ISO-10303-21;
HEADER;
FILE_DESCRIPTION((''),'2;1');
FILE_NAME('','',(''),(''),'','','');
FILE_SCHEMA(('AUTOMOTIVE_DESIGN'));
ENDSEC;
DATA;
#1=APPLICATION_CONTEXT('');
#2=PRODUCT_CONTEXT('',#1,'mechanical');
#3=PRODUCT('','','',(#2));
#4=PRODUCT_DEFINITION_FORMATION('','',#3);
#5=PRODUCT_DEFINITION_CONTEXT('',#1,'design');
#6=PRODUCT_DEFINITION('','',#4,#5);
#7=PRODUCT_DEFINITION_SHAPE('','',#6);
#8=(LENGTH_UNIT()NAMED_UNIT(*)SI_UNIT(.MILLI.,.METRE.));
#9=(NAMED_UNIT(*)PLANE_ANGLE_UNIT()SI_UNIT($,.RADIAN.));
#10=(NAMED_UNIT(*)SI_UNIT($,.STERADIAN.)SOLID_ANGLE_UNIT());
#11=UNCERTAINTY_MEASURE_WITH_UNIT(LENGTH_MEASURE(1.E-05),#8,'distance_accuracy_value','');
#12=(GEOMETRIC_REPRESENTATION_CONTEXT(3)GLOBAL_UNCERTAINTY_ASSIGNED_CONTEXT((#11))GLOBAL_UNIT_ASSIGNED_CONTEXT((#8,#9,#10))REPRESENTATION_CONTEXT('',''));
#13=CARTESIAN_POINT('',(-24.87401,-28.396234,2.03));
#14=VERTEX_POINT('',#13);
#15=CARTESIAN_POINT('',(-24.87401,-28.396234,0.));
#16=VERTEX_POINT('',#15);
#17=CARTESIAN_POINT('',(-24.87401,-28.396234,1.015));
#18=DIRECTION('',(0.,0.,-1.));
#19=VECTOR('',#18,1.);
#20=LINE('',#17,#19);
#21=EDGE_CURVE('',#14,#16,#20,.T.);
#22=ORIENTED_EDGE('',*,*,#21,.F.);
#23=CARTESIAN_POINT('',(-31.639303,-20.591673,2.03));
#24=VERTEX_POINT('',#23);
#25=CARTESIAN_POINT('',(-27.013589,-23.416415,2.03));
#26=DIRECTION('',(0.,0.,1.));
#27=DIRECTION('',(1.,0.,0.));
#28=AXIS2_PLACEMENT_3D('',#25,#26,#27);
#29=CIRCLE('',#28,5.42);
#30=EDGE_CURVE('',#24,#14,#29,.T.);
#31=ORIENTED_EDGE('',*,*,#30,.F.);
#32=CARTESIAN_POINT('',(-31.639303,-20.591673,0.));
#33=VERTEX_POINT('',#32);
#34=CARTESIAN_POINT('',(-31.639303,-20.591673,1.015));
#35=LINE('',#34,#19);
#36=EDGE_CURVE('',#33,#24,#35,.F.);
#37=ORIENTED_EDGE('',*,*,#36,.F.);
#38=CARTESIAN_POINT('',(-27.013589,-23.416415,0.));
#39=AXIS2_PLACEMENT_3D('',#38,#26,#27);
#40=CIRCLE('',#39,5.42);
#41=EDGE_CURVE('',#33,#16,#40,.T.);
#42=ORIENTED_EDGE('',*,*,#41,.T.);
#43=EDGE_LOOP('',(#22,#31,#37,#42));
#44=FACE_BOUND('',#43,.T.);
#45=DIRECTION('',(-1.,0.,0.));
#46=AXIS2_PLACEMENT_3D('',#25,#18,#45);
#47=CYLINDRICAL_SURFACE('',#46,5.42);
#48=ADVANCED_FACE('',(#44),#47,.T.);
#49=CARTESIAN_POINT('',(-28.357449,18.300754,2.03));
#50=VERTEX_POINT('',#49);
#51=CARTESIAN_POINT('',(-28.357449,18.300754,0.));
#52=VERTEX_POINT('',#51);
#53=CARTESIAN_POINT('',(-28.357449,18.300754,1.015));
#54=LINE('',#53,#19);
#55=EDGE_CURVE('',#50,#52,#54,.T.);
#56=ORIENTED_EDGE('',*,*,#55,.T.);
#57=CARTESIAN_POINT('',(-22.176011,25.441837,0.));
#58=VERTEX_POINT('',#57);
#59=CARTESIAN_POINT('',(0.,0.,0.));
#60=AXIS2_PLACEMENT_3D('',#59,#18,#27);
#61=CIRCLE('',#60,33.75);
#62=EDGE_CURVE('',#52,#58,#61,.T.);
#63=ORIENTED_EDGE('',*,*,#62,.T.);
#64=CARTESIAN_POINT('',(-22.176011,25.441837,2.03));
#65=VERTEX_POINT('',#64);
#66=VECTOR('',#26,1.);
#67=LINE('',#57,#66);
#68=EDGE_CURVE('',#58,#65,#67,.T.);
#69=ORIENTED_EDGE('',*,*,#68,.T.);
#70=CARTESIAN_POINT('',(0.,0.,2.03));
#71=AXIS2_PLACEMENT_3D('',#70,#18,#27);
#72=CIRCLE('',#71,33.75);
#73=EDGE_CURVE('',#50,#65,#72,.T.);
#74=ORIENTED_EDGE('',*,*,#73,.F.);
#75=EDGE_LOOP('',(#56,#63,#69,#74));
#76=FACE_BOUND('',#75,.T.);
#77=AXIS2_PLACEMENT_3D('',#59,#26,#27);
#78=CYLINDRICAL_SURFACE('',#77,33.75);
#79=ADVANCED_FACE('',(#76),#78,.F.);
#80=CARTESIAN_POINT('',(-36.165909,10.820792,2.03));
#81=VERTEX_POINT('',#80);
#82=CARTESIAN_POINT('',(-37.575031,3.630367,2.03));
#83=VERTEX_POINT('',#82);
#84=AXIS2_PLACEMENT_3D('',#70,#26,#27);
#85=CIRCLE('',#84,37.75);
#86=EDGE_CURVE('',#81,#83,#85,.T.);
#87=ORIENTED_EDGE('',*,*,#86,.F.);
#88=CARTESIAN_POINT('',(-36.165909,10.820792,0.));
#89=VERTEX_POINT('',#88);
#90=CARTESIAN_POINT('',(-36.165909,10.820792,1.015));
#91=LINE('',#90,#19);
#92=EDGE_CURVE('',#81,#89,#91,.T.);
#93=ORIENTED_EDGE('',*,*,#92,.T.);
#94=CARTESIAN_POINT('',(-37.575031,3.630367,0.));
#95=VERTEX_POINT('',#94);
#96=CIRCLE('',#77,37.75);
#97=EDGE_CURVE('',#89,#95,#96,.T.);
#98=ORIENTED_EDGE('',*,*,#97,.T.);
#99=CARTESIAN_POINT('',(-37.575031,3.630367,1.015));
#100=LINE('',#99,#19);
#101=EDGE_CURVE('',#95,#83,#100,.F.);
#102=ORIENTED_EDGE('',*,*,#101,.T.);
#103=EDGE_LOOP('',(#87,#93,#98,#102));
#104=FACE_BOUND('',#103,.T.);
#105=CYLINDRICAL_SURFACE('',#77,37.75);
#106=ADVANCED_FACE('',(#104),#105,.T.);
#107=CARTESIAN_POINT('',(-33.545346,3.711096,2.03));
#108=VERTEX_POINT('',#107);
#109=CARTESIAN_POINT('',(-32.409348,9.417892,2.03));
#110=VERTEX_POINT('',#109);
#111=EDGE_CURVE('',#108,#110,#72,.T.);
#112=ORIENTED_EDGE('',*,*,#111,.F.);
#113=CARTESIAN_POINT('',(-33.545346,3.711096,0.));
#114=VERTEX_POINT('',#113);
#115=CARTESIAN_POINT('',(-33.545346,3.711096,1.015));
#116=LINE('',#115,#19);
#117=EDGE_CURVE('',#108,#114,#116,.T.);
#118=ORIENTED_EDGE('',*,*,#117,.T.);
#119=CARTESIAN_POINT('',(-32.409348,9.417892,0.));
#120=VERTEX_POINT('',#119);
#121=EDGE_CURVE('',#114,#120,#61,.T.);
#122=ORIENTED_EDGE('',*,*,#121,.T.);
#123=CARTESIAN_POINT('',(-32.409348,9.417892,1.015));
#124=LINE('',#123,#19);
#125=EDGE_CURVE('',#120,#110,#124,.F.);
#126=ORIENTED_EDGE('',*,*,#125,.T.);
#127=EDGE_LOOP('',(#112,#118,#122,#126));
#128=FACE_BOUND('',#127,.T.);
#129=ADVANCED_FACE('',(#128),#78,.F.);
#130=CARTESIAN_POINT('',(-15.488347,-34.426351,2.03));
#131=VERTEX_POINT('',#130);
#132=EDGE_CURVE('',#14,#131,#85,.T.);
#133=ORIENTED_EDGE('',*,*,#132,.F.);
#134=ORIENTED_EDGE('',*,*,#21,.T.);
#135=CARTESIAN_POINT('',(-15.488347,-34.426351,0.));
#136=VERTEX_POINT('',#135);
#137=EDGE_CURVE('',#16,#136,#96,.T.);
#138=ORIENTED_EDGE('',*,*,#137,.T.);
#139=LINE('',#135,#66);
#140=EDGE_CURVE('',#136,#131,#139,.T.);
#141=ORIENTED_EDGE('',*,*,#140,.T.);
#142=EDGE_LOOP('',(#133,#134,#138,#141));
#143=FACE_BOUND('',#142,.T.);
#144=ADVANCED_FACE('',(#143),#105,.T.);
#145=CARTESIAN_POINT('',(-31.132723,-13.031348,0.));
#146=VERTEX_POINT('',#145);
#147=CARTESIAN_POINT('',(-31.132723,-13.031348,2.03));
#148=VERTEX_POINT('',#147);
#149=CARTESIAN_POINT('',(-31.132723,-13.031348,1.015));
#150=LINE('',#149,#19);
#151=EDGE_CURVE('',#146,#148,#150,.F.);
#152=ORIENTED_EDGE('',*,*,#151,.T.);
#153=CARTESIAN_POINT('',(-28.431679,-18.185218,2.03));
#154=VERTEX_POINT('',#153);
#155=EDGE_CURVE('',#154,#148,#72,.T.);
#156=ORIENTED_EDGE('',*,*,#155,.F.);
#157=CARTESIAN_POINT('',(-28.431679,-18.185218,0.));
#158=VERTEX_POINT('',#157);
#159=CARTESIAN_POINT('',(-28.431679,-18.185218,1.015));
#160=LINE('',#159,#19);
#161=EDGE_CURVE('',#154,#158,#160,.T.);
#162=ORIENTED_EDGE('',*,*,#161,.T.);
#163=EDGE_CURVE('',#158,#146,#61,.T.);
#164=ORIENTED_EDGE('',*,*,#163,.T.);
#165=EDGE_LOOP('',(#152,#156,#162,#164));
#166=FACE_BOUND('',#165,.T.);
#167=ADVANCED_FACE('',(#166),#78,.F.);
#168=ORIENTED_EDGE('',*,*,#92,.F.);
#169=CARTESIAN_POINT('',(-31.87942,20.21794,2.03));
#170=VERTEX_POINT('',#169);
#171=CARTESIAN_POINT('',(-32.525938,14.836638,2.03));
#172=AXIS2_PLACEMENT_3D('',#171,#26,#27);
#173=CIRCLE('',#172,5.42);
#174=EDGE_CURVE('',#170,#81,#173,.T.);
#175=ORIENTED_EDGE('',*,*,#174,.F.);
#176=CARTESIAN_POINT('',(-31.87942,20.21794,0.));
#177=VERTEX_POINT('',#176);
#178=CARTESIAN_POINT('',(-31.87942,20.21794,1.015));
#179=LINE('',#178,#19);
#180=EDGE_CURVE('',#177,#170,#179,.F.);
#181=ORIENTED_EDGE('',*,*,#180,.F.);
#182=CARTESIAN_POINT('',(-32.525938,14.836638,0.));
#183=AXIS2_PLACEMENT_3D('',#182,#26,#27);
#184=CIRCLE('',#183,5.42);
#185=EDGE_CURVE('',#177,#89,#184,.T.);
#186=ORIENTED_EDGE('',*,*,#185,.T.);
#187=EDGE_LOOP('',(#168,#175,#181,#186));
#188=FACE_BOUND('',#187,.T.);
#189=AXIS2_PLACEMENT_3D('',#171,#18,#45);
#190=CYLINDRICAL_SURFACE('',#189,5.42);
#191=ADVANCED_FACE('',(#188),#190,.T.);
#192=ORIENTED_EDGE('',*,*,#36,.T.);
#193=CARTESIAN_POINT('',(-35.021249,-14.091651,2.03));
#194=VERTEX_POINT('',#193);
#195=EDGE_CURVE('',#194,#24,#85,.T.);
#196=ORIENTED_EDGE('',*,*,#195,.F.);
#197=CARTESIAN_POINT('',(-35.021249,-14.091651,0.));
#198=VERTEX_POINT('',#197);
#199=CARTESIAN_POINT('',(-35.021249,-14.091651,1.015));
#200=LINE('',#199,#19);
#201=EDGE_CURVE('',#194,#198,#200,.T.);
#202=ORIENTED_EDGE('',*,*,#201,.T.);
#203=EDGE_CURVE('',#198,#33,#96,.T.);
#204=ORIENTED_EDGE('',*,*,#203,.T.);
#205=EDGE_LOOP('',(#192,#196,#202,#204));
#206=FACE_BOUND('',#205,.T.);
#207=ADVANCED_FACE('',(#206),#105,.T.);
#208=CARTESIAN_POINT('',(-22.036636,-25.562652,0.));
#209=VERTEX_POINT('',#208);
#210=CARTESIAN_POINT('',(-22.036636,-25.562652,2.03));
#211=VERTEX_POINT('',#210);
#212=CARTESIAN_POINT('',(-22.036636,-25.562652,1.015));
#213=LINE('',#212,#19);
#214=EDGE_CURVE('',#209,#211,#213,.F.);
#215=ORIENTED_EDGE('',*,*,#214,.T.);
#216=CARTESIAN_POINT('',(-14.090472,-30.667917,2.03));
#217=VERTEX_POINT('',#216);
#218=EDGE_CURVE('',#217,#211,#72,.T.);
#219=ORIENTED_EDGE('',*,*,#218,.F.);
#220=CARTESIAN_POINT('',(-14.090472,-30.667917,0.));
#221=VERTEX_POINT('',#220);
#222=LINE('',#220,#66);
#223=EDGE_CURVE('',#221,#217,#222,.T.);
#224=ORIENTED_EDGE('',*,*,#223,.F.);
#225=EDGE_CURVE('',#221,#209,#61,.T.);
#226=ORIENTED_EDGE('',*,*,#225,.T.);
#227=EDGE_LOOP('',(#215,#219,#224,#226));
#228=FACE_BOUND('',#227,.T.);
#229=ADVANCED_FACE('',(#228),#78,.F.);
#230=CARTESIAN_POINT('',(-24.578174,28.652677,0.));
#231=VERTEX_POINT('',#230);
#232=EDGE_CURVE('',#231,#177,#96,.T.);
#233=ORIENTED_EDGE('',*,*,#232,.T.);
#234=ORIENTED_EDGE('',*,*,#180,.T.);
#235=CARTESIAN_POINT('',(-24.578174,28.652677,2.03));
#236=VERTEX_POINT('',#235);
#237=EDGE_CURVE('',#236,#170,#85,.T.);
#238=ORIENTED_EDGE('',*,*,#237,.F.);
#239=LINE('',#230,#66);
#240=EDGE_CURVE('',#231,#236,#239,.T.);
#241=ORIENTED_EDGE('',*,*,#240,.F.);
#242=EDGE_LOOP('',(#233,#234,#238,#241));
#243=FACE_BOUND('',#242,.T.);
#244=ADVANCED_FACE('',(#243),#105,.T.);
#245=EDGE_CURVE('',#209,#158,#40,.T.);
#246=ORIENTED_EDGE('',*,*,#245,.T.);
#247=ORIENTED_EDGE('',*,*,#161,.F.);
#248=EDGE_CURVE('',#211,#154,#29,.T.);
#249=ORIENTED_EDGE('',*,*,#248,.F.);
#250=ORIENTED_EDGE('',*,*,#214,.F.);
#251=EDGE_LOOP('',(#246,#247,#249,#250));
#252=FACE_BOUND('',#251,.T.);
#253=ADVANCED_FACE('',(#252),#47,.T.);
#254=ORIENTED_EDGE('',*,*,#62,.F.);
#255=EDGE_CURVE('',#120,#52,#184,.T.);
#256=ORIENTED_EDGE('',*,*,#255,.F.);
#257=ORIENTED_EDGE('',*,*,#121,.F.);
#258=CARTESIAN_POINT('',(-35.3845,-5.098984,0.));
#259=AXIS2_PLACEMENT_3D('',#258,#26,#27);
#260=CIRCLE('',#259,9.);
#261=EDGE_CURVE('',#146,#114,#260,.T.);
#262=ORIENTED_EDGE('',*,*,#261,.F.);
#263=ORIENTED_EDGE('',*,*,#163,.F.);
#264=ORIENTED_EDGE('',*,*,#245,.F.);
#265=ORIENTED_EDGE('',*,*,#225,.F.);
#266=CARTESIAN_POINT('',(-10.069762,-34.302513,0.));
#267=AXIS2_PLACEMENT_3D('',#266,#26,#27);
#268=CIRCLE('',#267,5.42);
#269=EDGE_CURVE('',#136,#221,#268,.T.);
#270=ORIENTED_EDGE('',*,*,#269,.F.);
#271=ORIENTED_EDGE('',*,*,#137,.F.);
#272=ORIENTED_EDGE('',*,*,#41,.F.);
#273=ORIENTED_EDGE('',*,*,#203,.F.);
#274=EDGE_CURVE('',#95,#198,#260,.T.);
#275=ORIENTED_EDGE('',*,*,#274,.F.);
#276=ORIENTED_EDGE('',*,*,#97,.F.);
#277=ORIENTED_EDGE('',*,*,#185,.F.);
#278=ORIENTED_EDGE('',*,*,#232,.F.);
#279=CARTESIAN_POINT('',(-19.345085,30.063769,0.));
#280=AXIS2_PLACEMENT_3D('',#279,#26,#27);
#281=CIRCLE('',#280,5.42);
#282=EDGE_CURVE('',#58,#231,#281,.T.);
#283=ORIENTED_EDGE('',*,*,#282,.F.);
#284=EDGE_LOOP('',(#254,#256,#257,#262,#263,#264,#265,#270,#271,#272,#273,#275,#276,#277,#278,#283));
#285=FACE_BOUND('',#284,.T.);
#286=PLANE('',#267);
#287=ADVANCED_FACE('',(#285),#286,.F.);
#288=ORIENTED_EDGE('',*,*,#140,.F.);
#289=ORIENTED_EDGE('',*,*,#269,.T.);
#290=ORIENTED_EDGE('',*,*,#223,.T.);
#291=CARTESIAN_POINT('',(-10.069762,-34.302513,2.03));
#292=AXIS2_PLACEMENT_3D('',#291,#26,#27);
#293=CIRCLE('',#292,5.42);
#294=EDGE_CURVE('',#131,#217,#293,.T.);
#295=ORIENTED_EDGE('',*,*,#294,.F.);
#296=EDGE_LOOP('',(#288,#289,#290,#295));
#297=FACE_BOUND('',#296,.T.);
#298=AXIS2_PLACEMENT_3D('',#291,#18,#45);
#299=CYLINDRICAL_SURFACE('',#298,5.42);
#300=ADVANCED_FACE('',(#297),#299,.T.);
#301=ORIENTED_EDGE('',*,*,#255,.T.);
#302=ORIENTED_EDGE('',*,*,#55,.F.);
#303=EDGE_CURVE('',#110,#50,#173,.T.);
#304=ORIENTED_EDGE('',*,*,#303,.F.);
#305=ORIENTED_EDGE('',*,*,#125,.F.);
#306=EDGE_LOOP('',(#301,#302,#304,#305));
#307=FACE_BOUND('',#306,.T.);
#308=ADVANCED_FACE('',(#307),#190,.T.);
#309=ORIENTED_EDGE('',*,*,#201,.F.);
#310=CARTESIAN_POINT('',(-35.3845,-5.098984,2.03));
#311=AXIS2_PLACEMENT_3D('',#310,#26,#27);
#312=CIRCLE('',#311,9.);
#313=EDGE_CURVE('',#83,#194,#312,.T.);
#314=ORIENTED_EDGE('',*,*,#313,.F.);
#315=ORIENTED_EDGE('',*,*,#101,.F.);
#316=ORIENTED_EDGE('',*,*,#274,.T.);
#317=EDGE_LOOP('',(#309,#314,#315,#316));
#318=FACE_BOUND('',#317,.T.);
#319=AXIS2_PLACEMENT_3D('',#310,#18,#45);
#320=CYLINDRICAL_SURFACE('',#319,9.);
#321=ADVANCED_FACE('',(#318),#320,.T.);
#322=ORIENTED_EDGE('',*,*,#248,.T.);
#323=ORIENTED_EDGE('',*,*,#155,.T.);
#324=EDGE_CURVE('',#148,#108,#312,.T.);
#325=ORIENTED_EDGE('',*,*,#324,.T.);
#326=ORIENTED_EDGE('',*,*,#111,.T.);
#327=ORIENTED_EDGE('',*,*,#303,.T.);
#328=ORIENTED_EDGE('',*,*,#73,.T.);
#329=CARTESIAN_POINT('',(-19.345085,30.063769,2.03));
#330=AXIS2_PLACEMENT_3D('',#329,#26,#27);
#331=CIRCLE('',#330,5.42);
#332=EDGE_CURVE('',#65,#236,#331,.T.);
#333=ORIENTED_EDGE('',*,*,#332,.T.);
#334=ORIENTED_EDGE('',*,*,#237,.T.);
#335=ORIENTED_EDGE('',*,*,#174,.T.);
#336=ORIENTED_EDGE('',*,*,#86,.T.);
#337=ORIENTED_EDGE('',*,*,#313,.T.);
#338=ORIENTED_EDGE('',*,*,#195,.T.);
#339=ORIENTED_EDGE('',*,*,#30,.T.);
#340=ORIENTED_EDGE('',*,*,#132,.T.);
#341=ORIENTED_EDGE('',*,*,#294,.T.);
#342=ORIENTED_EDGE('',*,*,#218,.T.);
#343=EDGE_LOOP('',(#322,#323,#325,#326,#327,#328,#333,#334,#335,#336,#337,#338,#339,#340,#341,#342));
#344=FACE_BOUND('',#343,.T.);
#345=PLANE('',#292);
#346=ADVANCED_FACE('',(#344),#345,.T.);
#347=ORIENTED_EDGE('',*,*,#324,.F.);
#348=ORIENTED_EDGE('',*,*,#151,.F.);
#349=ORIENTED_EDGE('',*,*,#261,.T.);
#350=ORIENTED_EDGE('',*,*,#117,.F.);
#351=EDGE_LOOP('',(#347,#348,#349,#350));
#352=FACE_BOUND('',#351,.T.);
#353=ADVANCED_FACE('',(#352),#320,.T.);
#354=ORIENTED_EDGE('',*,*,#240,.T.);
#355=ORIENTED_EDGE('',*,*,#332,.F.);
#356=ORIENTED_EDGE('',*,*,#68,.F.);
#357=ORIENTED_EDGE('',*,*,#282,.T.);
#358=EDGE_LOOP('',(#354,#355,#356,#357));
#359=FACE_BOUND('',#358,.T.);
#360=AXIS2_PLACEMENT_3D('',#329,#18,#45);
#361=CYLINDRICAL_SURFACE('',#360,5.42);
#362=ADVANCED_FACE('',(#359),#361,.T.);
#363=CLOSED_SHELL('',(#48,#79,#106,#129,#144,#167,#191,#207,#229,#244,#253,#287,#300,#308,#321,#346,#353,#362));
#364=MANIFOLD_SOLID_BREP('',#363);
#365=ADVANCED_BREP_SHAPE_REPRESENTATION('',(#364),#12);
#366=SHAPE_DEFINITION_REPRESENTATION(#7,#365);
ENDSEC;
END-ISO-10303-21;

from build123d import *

# Parameters (mm, degrees)
PADS_SKETCH_R   = 5.42
PADS_DEPTH      = 2.03
PADS_2_DEPTH    = 2.03
PADS_3_DEPTH    = 2.03
PADS_4_DEPTH    = 2.03
PADS_SKETCH_R_2 = 9
PADS_5_DEPTH    = 2.03
CONNECTOR_DEPTH = 2.03


with BuildPart() as part:
    # Pads Sketch → Pads (new body)
    with BuildSketch(Plane.XY):
        with Locations((-10.069761866, -34.302512969)):
            Circle(PADS_SKETCH_R)
    extrude(amount=PADS_DEPTH)



with BuildPart() as body_2:
    # Pads Sketch → Pads 2 (new body)
    with BuildSketch(Plane.XY):
        with Locations((-27.013589298, -23.416415038)):
            Circle(PADS_SKETCH_R)
    extrude(amount=PADS_2_DEPTH)


with BuildPart() as body_3:
    # Pads Sketch → Pads 3 (new body)
    with BuildSketch(Plane.XY):
        with Locations((-32.525938452, 14.836638023)):
            Circle(PADS_SKETCH_R)
    extrude(amount=PADS_3_DEPTH)


with BuildPart() as body_4:
    # Pads Sketch → Pads 4 (new body)
    with BuildSketch(Plane.XY):
        with Locations((-19.345084764, 30.063768817)):
            Circle(PADS_SKETCH_R)
    extrude(amount=PADS_4_DEPTH)


with BuildPart() as body_5:
    # Pads Sketch → Pads 5 (new body)
    with BuildSketch(Plane.XY):
        with Locations((-35.384500255, -5.09898438)):
            Circle(PADS_SKETCH_R_2)
    extrude(amount=PADS_5_DEPTH)


with BuildPart() as part_1:
    add(part.part)

    add(body_2.part)  # Connector merges body 2

    add(body_3.part)  # Connector merges body 3

    add(body_4.part)  # Connector merges body 4

    add(body_5.part)  # Connector merges body 5
    # Connector Sketch → Connector (add)
    with BuildSketch(Plane.XY.offset(2.03)):
        with BuildLine():
            Line((-24.578173622, 28.652676688), (-22.176010765, 25.44183654))
            ThreePointArc((-22.176010765, 25.44183654), (-33.404947793, -4.813726513), (-14.090471833, -30.667916517))
            Line((-14.090471833, -30.667916517), (-15.488346946, -34.426350502))
            ThreePointArc((-15.488346946, -34.426350502), (-37.364052717, -5.384242247), (-24.578173622, 28.652676688))
        make_face()
    extrude(amount=-CONNECTOR_DEPTH)


solid = part_1.part
